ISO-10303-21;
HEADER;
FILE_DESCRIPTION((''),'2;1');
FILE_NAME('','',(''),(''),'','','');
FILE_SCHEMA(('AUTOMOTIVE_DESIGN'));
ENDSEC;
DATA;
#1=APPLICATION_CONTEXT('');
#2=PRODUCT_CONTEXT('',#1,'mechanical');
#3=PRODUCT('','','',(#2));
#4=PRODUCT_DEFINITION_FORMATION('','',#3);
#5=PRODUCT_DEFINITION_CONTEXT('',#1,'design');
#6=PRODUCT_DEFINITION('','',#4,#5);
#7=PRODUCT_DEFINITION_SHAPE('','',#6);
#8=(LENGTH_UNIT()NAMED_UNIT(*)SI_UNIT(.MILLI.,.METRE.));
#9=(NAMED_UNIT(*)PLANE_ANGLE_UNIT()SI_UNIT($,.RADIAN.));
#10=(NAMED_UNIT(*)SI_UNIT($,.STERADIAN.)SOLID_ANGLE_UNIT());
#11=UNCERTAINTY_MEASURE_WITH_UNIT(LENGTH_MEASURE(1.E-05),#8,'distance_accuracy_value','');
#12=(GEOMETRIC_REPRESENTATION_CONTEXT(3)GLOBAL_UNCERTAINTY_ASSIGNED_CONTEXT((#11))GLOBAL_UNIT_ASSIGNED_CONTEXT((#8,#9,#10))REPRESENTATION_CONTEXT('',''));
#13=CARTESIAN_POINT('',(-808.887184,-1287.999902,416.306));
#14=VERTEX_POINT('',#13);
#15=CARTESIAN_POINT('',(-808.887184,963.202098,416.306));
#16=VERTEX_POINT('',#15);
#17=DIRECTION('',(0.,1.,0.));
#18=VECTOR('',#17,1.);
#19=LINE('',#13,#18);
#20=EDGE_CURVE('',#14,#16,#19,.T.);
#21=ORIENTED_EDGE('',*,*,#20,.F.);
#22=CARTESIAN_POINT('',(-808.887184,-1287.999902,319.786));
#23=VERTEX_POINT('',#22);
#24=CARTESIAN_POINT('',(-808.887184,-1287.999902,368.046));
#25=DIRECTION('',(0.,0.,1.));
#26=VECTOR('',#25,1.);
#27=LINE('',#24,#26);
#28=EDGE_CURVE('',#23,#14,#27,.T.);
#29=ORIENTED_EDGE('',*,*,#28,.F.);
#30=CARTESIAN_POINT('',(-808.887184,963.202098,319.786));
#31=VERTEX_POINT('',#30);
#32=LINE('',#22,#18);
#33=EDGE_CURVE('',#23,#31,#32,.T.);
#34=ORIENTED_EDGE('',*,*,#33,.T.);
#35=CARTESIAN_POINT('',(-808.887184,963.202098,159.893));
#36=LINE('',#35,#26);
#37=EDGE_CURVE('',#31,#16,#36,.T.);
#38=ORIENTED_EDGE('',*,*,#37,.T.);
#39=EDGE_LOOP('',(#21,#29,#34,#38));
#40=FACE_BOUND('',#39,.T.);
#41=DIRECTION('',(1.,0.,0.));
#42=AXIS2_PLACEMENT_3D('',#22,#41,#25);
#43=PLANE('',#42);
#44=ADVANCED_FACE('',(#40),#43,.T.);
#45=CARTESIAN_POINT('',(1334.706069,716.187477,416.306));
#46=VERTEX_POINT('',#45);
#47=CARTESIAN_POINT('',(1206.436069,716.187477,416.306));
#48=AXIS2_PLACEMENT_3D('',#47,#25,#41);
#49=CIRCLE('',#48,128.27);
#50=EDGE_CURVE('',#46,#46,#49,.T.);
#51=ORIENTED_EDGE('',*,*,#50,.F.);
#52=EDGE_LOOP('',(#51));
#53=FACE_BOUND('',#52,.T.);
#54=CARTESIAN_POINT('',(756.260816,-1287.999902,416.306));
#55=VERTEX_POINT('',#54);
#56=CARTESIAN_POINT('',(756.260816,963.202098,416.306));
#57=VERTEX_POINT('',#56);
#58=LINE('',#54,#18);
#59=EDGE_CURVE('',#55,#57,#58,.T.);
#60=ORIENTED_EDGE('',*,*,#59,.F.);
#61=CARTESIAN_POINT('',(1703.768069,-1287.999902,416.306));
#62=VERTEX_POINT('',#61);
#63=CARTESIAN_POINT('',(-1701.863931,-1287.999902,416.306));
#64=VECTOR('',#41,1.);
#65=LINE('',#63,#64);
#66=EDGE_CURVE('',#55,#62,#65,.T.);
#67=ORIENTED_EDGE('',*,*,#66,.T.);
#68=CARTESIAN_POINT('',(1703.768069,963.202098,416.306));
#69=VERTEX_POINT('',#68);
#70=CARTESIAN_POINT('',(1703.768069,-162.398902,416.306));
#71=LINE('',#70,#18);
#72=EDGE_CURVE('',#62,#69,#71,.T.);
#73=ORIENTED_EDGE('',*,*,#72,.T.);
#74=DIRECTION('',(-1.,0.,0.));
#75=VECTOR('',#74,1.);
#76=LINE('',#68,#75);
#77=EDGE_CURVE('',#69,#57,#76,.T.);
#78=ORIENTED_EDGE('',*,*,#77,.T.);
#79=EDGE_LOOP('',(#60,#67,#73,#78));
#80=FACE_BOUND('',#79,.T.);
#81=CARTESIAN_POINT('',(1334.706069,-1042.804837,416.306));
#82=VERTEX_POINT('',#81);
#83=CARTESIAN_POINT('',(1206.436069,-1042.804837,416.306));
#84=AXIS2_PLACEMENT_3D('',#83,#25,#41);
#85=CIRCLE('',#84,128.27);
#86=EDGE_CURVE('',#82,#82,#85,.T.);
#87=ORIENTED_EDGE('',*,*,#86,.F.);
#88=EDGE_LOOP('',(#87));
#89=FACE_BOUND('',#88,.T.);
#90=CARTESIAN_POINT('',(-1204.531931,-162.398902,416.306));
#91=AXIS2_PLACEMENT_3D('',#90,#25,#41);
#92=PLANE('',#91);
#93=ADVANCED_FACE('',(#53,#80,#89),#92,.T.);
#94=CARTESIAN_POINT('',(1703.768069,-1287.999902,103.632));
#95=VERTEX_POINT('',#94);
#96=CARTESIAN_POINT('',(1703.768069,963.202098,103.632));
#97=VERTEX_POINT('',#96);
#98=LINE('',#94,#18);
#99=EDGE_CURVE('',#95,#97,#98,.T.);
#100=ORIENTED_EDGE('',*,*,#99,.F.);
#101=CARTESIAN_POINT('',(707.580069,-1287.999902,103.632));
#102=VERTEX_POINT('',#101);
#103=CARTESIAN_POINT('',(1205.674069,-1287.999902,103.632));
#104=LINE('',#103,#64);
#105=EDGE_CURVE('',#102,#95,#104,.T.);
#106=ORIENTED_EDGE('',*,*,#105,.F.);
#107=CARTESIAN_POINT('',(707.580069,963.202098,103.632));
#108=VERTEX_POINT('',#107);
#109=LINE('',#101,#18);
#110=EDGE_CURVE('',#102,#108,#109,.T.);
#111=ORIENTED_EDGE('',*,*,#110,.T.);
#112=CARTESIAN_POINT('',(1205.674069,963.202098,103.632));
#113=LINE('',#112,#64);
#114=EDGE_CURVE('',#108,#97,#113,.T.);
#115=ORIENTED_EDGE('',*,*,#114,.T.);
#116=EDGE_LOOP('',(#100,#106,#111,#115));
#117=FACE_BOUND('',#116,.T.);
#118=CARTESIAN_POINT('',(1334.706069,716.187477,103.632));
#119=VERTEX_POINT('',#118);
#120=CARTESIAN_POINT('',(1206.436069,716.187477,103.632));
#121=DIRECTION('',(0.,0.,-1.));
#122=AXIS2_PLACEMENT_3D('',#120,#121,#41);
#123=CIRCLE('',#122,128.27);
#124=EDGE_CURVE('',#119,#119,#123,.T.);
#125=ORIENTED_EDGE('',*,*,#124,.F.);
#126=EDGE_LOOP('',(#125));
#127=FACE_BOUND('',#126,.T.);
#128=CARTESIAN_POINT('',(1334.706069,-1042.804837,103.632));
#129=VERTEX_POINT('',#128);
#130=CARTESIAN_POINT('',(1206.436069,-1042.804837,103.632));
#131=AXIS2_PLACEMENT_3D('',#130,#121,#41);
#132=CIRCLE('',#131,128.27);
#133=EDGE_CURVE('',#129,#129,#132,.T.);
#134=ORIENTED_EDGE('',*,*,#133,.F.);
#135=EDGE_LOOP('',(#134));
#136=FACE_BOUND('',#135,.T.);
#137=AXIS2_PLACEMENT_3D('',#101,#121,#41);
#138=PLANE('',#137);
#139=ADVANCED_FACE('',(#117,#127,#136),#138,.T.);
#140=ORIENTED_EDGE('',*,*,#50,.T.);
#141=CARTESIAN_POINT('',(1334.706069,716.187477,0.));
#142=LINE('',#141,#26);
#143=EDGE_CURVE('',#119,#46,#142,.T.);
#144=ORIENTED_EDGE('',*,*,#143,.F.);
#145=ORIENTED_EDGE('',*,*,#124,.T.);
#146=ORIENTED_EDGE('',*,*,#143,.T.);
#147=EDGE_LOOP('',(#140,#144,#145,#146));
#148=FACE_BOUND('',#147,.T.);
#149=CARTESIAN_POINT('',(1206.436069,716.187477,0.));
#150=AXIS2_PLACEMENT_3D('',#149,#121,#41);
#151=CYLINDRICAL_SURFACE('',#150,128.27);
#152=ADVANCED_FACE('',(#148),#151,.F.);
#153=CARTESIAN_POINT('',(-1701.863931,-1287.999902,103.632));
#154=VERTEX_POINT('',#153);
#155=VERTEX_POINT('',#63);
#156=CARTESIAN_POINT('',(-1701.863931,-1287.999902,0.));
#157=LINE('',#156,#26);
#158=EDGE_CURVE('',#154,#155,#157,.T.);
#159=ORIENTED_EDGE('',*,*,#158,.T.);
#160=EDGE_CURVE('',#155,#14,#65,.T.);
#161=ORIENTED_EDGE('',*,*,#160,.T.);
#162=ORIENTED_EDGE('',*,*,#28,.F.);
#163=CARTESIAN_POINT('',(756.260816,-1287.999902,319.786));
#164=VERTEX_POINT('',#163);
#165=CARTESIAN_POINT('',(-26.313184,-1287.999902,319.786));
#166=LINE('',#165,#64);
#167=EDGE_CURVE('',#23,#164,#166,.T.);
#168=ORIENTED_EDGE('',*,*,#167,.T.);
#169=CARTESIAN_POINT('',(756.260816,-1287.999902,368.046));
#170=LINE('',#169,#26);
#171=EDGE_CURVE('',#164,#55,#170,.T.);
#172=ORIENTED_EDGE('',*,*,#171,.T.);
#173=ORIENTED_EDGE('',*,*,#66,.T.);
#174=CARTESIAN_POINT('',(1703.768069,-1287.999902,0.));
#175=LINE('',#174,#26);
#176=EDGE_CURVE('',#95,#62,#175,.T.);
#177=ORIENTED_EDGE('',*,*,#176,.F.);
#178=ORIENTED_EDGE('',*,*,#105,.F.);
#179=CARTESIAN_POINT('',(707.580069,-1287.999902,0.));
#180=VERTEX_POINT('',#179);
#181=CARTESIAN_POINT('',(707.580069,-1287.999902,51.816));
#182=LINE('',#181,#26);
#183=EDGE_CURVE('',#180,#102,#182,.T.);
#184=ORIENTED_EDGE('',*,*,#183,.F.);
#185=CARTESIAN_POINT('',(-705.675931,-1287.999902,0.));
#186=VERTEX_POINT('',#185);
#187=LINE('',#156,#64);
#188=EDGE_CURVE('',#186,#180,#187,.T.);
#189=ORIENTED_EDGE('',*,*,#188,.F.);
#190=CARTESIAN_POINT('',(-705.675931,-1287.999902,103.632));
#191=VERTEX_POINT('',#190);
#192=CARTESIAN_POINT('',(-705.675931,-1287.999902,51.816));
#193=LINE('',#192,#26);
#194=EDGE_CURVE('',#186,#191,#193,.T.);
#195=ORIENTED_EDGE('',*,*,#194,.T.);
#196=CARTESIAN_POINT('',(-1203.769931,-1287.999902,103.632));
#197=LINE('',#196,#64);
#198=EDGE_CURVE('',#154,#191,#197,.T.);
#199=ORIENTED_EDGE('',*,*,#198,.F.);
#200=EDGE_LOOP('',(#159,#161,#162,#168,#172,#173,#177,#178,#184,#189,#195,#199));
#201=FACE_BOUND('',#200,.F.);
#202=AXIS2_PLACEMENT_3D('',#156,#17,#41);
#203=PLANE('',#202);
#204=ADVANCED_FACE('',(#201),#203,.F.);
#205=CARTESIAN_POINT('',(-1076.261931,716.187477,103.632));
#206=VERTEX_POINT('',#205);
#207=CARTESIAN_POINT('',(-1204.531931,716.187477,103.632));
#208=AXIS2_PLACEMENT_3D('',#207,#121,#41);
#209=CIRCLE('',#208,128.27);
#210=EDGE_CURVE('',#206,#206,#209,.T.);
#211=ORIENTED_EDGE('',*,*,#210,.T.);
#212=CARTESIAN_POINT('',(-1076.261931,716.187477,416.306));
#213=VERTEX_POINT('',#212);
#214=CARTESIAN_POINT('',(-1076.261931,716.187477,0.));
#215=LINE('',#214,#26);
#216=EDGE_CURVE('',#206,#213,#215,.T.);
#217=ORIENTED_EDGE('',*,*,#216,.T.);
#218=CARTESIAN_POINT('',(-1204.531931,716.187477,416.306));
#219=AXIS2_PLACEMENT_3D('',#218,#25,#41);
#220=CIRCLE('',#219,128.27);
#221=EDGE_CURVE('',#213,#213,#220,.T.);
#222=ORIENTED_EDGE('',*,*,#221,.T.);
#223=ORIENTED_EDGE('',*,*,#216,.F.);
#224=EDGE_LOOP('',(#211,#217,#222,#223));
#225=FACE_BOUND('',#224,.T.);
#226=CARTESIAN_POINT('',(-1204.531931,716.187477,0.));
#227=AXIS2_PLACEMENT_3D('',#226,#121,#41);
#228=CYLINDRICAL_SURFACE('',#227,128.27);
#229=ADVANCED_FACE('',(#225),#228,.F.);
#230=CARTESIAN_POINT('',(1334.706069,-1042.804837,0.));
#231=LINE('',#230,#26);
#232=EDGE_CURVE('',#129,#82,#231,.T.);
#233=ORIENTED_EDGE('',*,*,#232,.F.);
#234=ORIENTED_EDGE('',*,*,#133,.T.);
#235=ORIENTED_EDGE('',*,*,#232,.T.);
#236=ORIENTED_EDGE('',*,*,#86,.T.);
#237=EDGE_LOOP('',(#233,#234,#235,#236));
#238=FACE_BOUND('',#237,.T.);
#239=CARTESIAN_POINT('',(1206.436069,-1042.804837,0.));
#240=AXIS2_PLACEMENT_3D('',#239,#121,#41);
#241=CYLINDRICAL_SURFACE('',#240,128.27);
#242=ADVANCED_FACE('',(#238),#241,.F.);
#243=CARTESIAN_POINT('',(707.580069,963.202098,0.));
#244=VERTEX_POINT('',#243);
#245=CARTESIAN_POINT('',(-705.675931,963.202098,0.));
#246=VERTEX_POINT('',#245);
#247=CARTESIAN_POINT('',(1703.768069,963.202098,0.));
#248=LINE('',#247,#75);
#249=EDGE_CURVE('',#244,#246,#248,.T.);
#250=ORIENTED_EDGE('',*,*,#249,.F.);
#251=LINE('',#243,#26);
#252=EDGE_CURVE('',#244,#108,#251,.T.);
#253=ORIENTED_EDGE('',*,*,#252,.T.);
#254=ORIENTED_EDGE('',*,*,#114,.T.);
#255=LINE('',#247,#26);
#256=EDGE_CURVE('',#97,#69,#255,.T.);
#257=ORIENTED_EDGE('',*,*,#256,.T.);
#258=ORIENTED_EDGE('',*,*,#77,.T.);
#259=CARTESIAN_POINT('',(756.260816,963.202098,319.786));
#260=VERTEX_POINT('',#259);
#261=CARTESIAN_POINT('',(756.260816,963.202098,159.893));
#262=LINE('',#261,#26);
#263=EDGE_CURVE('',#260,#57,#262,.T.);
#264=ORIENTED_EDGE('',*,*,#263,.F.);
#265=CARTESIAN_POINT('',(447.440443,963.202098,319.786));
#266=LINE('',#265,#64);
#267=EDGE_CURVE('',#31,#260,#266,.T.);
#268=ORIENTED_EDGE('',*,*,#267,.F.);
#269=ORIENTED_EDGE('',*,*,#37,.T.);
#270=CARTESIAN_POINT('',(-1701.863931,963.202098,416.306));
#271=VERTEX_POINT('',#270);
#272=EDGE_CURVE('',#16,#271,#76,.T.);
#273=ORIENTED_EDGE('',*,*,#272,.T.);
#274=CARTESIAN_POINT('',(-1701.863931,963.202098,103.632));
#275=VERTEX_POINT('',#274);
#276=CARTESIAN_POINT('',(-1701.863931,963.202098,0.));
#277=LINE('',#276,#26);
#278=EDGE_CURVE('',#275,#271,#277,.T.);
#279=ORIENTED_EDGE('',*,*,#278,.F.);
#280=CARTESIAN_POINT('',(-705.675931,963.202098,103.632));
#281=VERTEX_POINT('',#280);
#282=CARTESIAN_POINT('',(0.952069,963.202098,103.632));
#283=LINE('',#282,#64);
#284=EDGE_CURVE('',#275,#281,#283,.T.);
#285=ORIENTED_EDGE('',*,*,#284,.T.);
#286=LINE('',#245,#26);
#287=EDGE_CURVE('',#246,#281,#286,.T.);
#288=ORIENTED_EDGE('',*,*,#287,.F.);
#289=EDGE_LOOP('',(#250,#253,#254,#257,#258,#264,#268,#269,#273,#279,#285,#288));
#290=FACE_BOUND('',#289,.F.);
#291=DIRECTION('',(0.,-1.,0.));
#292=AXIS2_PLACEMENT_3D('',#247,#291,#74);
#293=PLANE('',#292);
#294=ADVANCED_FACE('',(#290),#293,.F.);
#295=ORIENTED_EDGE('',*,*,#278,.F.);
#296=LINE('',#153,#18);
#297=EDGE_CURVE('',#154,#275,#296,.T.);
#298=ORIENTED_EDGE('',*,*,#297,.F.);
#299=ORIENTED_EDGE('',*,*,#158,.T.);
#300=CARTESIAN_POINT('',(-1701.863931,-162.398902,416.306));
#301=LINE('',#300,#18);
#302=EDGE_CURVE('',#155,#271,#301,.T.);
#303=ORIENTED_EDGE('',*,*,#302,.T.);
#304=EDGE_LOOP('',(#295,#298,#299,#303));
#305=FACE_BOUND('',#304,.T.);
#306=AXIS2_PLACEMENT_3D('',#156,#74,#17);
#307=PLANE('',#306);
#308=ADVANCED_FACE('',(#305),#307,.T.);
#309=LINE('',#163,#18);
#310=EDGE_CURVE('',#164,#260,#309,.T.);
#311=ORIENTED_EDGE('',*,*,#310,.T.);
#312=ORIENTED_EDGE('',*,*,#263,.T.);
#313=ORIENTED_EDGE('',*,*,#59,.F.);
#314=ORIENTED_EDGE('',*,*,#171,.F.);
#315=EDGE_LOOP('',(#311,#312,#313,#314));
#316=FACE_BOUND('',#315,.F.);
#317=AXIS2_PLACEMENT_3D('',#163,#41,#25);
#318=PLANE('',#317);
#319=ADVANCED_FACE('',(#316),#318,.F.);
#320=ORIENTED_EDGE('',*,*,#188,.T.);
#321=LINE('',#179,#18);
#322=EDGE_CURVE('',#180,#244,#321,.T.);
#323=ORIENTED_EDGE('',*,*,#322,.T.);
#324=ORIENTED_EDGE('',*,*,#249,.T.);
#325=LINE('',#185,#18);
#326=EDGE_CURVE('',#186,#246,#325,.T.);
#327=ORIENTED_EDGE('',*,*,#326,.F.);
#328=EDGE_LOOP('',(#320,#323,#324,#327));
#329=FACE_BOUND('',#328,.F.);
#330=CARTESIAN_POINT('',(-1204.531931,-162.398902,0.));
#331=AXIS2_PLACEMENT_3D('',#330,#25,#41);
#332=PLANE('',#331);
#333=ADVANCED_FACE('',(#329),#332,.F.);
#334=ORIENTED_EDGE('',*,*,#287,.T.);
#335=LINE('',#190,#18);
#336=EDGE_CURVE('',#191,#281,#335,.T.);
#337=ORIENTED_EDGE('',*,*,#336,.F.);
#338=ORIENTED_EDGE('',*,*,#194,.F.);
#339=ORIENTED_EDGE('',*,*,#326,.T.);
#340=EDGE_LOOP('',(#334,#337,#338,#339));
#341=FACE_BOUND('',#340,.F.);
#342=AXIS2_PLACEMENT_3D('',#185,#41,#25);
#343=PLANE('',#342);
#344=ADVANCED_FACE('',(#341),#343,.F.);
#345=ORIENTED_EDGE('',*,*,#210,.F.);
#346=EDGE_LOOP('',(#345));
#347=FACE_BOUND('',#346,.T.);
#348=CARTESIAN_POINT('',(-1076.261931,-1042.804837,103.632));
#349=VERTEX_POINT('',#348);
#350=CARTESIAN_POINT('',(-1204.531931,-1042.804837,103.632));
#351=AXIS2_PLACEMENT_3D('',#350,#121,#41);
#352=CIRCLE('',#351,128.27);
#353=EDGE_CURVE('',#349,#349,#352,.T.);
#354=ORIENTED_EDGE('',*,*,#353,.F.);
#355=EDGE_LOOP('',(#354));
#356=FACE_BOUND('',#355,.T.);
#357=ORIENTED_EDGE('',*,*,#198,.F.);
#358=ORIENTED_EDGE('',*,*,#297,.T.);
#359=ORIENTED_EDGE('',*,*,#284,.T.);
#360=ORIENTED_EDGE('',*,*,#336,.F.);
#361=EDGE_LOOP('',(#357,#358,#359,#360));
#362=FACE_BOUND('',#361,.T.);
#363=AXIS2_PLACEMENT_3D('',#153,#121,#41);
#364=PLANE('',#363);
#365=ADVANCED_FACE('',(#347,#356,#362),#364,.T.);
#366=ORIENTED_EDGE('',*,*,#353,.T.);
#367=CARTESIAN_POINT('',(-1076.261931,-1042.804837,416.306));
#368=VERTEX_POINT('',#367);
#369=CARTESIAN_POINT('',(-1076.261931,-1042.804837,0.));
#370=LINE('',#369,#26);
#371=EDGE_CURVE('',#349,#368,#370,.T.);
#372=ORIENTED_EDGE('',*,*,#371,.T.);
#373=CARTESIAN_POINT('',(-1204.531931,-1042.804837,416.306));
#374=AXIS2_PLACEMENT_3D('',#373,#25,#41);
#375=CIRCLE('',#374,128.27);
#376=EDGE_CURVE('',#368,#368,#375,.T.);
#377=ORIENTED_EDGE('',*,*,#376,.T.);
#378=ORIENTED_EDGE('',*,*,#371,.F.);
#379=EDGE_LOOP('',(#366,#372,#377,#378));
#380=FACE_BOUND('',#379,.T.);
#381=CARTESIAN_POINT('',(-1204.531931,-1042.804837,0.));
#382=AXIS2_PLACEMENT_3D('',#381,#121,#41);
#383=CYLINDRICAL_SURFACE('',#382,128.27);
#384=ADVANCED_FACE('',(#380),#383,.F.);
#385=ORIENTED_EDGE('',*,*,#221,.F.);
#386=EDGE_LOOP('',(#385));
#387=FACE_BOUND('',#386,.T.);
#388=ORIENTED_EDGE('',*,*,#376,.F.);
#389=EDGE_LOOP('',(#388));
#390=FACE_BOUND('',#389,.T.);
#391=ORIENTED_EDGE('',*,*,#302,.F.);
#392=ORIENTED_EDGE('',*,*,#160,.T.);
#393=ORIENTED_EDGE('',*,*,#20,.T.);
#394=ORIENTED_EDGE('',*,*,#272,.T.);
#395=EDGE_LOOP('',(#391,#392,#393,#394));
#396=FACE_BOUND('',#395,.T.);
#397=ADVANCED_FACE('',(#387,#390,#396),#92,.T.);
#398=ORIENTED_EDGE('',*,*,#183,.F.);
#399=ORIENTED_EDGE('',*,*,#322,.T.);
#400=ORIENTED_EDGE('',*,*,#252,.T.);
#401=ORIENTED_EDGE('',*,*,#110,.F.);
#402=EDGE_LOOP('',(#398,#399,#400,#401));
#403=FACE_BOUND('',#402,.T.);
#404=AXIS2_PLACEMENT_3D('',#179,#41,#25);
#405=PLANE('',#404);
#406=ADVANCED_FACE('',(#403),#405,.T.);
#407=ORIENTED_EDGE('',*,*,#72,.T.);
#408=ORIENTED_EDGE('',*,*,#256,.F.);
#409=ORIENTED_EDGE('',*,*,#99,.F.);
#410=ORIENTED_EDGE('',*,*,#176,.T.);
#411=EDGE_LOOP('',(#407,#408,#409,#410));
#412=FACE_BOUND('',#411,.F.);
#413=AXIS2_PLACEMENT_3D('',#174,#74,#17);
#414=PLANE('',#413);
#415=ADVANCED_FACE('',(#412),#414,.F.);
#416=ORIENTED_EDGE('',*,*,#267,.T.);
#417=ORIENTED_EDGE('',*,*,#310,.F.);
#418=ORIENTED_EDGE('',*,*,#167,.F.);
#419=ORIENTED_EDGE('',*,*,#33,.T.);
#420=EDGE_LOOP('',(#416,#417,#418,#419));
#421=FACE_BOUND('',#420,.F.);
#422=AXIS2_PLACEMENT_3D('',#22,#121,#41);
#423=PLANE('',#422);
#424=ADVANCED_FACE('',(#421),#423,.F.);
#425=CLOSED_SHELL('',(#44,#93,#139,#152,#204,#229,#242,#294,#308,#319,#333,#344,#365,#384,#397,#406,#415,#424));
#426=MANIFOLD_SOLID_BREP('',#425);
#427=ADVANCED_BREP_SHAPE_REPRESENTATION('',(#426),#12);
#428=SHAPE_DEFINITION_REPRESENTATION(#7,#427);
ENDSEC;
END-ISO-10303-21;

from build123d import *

# Parameters (mm, degrees)
F0_W     = 994.664
F0_H     = 2251.202
F0_R     = 128.27
F0_W_2   = 1416.304
F1_DEPTH = 416.306
F2_W     = 1565.148
F2_H     = 96.52
F2_W_2   = 996.188
F2_H_2   = 103.632
F3_DEPTH = 2540


with BuildPart() as f1:
    # F0 (on Top) → F1 (new body)
    with BuildSketch(Plane.XY):
        with Locations((-1204.531931, -162.398902)):
            Rectangle(F0_W, F0_H)
        with Locations((-1204.531931, -1042.804837)):
            Circle(F0_R, mode=Mode.SUBTRACT)
        with Locations((-1204.531931, 716.187477)):
            Circle(F0_R, mode=Mode.SUBTRACT)
        with Locations((0.952069, -162.398902)):
            Rectangle(F0_W_2, F0_H)
        with Locations((1206.436069, -162.398902)):
            Rectangle(F0_W, F0_H)
        with Locations((1206.436069, -1042.804837)):
            Circle(F0_R, mode=Mode.SUBTRACT)
        with Locations((1206.436069, 716.187477)):
            Circle(F0_R, mode=Mode.SUBTRACT)
    extrude(amount=F1_DEPTH)

    # F2 (on face) → F3 (cut)
    with BuildSketch(Plane.XZ.offset(1287.999902)):
        with Locations((-26.313184, 368.046)):
            Rectangle(F2_W, F2_H)
        with Locations((-1203.769931, 51.816)):
            Rectangle(F2_W_2, F2_H_2)
        with Locations((1205.674069, 51.816)):
            Rectangle(F2_W_2, F2_H_2)
    extrude(amount=-F3_DEPTH, mode=Mode.SUBTRACT)


solid = f1.part
